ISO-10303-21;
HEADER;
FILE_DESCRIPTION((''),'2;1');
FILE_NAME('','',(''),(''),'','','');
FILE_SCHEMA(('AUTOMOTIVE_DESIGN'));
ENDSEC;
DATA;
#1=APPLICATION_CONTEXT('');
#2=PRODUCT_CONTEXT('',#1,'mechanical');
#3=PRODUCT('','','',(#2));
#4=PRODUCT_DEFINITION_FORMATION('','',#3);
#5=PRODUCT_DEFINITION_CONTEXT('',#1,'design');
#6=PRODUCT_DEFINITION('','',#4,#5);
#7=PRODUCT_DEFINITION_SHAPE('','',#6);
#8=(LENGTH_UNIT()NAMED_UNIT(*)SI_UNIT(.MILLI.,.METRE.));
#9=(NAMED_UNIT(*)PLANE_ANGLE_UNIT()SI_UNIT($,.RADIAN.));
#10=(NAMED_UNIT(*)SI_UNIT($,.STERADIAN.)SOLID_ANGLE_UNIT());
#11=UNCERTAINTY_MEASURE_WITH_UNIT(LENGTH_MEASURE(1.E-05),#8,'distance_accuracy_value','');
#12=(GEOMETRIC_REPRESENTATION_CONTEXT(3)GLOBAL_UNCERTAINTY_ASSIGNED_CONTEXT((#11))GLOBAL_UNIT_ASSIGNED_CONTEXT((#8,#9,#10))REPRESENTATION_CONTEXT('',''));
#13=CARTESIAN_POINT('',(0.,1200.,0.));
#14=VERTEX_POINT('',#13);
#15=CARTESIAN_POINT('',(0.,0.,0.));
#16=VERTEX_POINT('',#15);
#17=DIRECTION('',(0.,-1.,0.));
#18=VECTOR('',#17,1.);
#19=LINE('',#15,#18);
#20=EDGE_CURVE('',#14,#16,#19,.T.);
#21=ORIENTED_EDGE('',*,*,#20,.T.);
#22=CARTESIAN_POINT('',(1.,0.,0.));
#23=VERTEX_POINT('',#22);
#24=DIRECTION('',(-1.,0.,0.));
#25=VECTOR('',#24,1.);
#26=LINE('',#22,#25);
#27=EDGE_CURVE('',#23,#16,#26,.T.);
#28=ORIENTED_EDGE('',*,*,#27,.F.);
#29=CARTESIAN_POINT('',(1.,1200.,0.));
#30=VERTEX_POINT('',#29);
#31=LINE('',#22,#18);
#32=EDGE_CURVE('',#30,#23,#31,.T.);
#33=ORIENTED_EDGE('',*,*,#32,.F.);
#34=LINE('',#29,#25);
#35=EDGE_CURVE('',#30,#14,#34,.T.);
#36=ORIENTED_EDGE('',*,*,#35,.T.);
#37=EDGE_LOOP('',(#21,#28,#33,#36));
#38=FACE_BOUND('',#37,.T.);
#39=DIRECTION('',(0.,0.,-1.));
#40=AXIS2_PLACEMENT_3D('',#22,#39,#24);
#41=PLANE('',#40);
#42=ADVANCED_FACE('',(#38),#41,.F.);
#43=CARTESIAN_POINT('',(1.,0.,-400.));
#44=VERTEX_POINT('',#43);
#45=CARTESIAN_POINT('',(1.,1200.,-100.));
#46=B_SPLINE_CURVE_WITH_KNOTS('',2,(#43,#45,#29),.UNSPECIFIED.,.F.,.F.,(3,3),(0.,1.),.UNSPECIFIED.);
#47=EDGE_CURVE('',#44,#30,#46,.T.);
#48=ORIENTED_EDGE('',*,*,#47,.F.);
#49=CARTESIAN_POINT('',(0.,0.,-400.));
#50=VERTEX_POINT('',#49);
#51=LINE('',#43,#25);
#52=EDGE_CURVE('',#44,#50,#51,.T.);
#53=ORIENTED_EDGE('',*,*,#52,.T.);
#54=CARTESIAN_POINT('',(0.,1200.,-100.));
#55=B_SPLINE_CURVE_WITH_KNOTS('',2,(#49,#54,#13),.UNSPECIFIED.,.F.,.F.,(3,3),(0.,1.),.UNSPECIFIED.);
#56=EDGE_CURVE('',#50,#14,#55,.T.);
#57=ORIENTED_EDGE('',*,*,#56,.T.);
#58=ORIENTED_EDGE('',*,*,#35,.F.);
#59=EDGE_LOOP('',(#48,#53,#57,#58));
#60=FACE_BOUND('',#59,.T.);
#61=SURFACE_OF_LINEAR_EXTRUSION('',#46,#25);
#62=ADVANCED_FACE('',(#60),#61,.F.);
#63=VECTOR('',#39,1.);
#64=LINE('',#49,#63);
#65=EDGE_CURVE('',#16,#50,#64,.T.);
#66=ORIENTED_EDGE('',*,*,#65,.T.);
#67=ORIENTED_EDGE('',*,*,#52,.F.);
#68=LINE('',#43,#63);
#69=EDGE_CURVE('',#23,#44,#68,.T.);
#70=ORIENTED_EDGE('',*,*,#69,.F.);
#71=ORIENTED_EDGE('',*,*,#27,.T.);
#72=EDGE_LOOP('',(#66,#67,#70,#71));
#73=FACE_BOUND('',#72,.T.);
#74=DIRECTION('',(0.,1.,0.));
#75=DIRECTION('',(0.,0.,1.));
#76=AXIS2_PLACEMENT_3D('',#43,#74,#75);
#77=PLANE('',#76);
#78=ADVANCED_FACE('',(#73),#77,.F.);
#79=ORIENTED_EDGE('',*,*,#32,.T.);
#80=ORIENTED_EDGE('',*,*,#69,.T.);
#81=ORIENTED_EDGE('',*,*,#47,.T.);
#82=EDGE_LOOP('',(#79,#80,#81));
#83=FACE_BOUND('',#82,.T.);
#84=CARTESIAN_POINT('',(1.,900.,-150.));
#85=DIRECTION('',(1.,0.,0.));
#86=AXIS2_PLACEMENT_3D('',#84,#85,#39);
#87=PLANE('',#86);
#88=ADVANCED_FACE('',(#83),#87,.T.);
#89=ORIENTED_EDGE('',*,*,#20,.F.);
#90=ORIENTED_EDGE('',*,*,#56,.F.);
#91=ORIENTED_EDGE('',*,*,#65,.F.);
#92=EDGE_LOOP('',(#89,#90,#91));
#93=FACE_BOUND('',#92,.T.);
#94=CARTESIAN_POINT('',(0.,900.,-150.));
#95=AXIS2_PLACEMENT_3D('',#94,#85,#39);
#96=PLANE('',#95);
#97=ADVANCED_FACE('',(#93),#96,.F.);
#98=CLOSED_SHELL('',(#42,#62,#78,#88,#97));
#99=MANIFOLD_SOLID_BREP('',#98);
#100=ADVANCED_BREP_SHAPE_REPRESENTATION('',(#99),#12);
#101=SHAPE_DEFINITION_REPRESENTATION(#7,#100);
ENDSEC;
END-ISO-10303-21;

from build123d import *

# Parameters (mm, degrees)
BOSS_EXTRUDE1_DEPTH = 1


with BuildPart() as part:
    # Sketch1 → Boss-Extrude1 (new body)
    with BuildSketch(Plane(origin=(0, 0, 0), x_dir=(0, 0, -1), z_dir=(1, 0, 0))):
        with BuildLine():
            Line((0, 0), (0, 1200))
            add(Edge.make_bspline(
                [(0, 1200), (100, 1200), (400, 0)],
                knots=[0, 0, 0, 1, 1, 1], degree=2))
            Line((400, 0), (0, 0))
        make_face()
    extrude(amount=BOSS_EXTRUDE1_DEPTH)


solid = part.part
